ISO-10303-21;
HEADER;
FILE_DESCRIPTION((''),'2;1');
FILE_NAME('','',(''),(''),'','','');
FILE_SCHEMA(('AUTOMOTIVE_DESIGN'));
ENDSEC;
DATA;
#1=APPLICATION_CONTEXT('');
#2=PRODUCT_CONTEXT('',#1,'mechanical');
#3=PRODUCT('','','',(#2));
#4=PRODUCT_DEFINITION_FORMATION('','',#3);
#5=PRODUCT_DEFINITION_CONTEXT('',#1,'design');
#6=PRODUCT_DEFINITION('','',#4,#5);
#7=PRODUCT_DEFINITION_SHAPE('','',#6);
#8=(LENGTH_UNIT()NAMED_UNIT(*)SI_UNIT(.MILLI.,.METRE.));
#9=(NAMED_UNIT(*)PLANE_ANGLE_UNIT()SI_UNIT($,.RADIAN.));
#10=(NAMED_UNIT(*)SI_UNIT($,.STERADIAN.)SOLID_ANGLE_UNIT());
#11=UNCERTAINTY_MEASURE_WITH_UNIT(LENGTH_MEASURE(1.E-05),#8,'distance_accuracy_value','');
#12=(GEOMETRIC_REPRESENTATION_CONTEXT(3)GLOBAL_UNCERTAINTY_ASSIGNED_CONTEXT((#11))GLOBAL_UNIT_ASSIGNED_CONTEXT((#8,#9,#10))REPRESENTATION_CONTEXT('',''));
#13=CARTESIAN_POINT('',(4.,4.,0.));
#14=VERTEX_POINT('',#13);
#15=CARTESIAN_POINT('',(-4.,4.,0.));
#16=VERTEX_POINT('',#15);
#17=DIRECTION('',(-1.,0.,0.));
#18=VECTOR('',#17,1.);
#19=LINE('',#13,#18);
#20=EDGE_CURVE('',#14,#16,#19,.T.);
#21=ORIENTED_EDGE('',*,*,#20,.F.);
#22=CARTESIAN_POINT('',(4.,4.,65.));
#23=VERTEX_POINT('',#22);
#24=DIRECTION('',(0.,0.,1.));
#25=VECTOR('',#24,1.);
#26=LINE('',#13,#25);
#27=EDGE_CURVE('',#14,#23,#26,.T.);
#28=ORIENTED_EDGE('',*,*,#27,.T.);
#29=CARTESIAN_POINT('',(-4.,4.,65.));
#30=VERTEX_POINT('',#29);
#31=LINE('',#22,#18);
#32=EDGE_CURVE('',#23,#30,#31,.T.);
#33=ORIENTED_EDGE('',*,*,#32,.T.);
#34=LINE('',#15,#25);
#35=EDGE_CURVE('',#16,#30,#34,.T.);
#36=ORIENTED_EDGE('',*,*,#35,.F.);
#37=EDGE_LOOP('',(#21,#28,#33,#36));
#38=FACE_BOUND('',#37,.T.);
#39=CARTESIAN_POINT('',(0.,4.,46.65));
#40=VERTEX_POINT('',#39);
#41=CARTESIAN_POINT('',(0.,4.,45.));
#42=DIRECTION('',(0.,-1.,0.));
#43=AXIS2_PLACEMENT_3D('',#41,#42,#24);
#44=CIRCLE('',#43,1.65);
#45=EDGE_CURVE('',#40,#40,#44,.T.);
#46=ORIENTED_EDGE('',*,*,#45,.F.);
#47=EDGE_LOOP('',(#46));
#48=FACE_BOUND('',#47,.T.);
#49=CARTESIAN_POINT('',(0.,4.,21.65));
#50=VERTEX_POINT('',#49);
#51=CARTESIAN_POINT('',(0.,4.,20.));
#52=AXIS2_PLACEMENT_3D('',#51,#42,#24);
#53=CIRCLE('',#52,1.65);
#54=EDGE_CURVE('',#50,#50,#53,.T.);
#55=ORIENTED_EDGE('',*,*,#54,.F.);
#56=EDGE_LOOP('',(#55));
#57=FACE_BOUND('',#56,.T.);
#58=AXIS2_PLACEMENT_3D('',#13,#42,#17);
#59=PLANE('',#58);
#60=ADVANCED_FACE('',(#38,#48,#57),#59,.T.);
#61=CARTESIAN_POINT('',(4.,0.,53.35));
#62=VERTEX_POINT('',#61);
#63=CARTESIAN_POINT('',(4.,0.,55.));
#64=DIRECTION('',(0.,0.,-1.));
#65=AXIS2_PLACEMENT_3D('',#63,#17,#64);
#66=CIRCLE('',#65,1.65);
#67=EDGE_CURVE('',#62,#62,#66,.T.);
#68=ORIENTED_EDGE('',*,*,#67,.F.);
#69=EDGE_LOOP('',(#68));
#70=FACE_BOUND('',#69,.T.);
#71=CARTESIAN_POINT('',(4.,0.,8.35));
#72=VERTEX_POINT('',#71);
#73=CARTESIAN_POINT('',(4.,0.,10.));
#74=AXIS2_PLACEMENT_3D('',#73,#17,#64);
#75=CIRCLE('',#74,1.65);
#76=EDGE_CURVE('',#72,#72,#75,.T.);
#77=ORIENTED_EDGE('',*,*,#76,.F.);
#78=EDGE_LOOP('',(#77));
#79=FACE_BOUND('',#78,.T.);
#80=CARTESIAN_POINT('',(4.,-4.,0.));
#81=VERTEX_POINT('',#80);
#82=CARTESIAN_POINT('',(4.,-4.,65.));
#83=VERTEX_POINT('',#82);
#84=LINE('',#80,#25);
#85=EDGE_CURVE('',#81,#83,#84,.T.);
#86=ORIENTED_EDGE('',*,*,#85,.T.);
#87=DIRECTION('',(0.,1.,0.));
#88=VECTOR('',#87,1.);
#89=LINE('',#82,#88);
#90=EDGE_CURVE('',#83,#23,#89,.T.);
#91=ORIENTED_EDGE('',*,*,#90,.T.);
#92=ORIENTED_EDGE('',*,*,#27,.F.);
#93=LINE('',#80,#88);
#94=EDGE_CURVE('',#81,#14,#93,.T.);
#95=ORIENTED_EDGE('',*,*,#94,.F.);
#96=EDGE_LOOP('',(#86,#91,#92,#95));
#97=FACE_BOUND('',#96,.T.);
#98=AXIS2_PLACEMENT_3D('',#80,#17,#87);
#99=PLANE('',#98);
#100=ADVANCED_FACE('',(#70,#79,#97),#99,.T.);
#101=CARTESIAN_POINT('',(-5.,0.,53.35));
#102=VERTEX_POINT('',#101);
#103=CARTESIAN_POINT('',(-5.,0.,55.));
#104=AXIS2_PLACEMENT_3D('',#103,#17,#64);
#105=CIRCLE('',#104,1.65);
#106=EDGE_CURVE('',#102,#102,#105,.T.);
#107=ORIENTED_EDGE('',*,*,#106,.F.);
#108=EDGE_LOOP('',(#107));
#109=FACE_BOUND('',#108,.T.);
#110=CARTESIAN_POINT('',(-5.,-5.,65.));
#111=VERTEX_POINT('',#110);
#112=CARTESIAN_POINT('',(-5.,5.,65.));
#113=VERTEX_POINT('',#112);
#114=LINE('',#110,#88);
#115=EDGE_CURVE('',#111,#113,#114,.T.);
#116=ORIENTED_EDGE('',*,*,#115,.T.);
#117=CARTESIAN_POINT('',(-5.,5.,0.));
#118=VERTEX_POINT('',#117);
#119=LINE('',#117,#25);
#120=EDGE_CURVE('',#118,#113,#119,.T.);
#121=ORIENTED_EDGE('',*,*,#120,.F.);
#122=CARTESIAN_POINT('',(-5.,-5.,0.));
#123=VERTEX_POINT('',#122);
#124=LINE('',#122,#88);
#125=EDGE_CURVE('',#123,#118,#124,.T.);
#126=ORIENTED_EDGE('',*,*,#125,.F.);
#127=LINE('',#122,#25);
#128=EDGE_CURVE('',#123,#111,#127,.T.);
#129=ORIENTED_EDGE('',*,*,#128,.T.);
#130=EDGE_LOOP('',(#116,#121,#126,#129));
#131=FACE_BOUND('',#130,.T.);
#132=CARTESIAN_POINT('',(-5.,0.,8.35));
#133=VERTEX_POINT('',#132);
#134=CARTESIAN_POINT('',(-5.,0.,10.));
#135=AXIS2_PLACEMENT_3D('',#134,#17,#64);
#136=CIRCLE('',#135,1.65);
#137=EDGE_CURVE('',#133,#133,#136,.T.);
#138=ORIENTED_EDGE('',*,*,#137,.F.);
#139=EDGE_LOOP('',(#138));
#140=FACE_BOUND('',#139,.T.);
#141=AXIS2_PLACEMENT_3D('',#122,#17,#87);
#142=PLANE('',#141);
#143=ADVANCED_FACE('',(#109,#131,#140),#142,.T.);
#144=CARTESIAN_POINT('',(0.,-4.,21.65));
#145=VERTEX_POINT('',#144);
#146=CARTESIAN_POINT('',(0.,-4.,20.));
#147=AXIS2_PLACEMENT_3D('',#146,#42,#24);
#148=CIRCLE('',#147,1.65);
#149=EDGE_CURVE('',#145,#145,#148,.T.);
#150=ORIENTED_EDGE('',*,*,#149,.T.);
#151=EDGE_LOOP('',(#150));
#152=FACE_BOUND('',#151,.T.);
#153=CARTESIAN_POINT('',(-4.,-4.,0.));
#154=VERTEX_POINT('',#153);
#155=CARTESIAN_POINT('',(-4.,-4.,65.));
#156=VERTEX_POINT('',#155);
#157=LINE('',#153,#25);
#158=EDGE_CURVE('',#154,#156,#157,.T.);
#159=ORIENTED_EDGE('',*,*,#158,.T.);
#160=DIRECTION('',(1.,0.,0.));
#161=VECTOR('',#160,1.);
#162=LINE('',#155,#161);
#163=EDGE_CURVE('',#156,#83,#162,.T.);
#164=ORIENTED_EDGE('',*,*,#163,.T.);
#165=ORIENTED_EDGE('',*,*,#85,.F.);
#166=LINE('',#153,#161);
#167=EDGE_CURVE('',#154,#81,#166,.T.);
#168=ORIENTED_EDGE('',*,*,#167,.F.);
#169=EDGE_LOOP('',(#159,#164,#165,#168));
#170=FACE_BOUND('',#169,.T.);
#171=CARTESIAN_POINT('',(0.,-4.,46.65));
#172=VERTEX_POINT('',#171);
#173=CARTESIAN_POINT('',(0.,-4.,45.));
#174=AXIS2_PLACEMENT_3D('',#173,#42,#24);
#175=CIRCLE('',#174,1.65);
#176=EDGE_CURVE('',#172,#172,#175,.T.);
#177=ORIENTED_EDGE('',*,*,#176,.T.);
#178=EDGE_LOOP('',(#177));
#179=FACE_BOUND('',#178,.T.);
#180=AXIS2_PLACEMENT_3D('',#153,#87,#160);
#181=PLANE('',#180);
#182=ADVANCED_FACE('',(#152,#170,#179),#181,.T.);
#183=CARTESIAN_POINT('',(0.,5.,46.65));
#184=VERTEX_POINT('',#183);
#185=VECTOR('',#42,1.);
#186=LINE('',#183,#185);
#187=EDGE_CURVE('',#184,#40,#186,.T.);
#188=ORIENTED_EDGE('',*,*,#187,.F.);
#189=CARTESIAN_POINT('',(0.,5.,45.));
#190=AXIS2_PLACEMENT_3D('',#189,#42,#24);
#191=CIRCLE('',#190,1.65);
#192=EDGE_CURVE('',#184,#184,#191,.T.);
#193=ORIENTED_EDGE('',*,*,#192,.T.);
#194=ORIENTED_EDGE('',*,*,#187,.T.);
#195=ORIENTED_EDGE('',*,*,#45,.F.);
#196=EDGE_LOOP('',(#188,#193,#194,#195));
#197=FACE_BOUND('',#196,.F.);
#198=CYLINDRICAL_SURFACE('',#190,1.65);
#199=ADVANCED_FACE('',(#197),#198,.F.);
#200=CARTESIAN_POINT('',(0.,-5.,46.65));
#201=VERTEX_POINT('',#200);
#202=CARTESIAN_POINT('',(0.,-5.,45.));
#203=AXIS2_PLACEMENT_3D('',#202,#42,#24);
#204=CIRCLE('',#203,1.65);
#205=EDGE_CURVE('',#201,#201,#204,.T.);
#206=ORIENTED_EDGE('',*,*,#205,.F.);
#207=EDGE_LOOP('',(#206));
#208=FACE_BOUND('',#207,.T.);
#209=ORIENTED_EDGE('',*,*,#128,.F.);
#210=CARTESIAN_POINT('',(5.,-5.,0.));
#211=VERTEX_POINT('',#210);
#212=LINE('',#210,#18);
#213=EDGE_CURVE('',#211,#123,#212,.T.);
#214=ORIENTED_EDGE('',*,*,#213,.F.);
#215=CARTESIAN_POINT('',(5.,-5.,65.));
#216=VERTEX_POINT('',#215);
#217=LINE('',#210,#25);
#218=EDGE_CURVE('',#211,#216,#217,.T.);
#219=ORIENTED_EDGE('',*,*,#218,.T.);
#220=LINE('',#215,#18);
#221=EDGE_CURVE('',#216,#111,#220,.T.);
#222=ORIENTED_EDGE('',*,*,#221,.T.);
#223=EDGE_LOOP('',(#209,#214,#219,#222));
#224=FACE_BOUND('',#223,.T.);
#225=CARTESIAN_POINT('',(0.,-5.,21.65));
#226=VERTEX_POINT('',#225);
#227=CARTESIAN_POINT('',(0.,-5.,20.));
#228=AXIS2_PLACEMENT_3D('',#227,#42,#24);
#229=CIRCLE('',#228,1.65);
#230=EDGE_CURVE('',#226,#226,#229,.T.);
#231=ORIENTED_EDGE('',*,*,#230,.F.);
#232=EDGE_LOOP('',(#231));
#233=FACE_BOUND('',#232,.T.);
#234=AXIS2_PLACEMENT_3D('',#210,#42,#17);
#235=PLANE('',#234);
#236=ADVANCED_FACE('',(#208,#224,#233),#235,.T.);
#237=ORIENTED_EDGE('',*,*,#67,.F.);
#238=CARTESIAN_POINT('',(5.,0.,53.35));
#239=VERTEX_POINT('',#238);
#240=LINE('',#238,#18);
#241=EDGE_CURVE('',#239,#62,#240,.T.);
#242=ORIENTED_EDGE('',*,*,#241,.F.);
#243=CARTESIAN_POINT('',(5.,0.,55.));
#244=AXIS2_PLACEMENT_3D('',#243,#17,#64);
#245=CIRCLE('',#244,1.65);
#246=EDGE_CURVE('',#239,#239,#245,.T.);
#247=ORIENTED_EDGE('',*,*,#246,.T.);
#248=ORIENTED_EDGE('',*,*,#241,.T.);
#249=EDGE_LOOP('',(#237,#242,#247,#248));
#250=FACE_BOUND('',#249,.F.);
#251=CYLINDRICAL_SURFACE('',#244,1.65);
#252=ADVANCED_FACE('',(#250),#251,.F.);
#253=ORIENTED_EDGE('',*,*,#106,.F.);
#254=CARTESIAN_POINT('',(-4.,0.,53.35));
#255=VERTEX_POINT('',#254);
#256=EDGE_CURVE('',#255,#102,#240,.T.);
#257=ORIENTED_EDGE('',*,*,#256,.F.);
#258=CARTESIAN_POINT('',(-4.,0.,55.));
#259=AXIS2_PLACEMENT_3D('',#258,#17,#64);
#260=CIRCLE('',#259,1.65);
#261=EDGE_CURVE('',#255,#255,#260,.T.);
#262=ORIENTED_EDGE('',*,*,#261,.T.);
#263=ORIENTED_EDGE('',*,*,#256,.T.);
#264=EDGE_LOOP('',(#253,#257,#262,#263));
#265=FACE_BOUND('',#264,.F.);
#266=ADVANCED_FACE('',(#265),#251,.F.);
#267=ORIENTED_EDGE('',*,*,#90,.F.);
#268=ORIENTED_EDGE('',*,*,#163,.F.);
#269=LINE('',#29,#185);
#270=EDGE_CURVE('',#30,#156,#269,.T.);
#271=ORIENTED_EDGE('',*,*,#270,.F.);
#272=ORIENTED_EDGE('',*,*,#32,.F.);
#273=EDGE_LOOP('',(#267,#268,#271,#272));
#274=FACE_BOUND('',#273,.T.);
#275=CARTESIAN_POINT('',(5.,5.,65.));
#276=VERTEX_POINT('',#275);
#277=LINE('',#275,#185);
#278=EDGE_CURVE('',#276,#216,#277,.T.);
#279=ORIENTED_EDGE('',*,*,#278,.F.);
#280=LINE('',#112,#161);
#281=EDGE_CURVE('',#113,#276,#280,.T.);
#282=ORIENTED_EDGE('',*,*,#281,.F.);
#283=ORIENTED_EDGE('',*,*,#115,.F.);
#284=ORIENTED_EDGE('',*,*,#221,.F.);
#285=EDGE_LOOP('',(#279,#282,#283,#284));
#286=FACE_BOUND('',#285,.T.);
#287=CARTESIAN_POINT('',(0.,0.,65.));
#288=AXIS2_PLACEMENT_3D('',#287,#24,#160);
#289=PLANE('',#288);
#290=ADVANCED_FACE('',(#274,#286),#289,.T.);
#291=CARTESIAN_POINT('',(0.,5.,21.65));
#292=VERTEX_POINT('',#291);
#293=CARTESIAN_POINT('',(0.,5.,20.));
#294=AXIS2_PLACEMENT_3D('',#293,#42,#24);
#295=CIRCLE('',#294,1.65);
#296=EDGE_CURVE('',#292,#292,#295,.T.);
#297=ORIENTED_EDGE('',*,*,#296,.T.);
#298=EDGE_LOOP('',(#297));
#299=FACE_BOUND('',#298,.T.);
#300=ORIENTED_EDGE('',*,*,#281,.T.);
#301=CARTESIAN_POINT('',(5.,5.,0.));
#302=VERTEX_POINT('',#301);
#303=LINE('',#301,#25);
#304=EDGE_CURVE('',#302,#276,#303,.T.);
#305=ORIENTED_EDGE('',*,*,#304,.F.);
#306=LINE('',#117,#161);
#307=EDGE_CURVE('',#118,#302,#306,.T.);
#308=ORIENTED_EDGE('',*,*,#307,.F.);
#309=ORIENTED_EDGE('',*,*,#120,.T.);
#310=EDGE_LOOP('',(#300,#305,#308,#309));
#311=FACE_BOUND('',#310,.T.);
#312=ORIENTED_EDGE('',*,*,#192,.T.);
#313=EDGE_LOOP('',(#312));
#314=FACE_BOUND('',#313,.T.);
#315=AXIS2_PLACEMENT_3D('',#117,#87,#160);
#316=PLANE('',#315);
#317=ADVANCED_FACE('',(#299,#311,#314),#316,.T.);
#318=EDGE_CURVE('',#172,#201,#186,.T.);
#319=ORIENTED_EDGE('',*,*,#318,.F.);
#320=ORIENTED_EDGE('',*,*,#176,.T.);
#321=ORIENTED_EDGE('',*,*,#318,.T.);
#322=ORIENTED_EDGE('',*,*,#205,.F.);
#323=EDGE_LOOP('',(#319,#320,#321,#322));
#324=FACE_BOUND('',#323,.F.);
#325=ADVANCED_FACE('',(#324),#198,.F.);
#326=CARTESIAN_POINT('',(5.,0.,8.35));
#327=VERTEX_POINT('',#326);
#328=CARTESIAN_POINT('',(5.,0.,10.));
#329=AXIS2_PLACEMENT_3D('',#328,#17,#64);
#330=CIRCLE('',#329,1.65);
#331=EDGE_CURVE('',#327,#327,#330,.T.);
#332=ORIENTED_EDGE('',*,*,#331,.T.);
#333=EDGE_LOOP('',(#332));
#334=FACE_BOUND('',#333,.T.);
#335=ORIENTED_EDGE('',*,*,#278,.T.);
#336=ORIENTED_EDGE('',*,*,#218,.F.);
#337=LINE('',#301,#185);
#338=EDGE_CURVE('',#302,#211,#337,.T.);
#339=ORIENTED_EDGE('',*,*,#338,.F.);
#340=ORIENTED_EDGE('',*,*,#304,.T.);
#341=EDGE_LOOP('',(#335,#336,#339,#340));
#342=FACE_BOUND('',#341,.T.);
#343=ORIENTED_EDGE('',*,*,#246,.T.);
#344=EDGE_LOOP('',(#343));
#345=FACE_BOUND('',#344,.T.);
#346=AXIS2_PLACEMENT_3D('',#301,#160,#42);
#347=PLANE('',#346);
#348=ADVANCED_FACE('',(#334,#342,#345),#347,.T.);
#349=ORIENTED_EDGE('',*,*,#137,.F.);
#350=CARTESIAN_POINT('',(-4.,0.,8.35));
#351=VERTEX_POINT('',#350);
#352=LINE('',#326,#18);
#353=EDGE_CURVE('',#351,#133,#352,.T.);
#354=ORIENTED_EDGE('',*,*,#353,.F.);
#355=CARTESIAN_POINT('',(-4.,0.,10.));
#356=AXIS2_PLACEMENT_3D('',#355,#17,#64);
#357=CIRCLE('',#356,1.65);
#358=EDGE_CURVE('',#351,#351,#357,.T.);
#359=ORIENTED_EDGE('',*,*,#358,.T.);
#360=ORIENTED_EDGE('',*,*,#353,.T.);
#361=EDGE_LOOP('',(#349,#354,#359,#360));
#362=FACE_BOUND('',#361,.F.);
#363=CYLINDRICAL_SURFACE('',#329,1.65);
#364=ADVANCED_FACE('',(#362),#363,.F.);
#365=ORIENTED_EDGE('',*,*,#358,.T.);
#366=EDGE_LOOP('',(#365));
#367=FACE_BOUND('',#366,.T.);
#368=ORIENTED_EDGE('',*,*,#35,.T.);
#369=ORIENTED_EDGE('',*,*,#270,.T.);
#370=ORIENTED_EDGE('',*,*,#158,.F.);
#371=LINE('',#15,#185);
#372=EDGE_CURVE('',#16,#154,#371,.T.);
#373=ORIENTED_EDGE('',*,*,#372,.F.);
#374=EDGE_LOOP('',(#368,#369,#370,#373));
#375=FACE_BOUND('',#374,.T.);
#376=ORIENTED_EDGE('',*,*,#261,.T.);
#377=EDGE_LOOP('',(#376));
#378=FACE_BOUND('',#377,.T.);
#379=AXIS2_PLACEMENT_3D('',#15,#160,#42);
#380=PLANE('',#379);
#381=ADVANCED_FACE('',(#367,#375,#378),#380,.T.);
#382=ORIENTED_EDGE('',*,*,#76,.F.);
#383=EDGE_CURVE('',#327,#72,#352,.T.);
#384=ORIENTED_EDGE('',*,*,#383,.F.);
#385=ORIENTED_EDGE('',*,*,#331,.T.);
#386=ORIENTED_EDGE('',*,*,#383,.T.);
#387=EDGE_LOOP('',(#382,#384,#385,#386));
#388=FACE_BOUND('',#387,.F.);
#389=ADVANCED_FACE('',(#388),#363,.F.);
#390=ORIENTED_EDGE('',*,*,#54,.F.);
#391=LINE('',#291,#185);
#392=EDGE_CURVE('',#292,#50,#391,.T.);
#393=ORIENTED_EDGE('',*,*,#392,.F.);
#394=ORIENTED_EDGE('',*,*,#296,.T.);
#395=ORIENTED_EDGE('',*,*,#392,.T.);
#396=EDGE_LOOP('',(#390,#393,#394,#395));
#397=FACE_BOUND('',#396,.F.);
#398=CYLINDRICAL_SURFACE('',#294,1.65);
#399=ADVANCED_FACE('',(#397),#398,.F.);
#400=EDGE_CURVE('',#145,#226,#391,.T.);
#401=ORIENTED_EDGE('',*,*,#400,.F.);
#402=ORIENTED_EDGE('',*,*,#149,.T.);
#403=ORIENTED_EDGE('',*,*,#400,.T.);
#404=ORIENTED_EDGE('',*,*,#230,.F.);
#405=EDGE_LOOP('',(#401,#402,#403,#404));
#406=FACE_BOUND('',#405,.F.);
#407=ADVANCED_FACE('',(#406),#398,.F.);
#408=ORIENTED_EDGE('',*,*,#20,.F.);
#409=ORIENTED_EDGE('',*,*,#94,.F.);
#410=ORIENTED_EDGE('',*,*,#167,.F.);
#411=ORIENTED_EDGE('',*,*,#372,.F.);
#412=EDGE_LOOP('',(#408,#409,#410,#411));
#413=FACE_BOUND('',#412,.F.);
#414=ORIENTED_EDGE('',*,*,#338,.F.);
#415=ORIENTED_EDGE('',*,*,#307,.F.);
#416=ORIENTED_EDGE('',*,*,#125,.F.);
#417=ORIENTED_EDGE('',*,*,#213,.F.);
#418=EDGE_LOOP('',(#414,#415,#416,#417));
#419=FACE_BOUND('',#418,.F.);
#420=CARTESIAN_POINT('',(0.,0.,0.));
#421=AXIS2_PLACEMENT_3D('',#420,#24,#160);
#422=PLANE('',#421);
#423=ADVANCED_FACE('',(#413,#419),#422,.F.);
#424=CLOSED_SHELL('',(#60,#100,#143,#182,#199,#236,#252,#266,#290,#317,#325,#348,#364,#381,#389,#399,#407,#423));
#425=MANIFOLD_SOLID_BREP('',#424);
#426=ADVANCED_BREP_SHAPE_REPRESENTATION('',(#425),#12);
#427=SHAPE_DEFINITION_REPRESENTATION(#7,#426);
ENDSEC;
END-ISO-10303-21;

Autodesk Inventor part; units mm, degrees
ref_plane "YZ Plane" through (0, 0, 0) normal (1, 0, 0) x (0, 1, 0)
ref_plane "XZ Plane" through (0, 0, 0) normal (0, 1, 0) x (-1, 0, 0)
ref_plane "XY Plane" through (0, 0, 0) normal (0, 0, 1) x (1, 0, 0)
sketch "スケッチ1" plane through (0, 0, 0) normal (0, 0, 1) x (1, 0, 0)
  line L0 (5, -5) -> (-5, -5)
  line L1 (-5, -5) -> (-5, 5)
  line L2 (-5, 5) -> (5, 5)
  line L3 (5, 5) -> (5, -5)
  line L4 (5, -5) -> (-5, 5) construction
  line L5 (-5, -5) -> (5, 5) construction
  line L6 (4, 4) -> (-4, 4)
  line L7 (-4, 4) -> (-4, -4)
  line L8 (-4, -4) -> (4, -4)
  line L9 (4, -4) -> (4, 4)
  point P0 (0, 0)
  dimension "d0" = 10
  dimension "d1" = 10
  dimension "d2" = 1
extrude "押し出し1" add sketch "スケッチ1" along normal blind 65
sketch "スケッチ2" plane through (5, -5, 0) normal (1, 0, 0) x (0, 0, -1)
  line L0 (0, 5) -> (-65, 5)
  line L1 (-65, 9) -> (-65, 1) projected
  line L2 (0, 0) -> (0, 10) projected
  point P0 (-55, 5)
  point P1 (-10, 5)
  dimension "d5" = 45
  dimension "d6" = 10
hole "穴1" at (5, 0, 55) at (5, 0, 10) direction (-1, 0, 0) diameter 3.3 end through all
sketch "スケッチ3" plane through (-5, 5, 0) normal (0, 1, 0) x (1, 0, 0)
  line L0 (5, 0) -> (5, -65)
  line L1 (1, -65) -> (9, -65) projected
  line L2 (10, 0) -> (0, 0) projected
  point P0 (5, -45)
  point P1 (5, -20)
  dimension "d14" = 20
  dimension "d15" = 25
hole "穴2" at (0, 5, 45) at (0, 5, 20) direction (0, -1, 0) diameter 3.3 end through all
properties part number "xxkaku_1010"
